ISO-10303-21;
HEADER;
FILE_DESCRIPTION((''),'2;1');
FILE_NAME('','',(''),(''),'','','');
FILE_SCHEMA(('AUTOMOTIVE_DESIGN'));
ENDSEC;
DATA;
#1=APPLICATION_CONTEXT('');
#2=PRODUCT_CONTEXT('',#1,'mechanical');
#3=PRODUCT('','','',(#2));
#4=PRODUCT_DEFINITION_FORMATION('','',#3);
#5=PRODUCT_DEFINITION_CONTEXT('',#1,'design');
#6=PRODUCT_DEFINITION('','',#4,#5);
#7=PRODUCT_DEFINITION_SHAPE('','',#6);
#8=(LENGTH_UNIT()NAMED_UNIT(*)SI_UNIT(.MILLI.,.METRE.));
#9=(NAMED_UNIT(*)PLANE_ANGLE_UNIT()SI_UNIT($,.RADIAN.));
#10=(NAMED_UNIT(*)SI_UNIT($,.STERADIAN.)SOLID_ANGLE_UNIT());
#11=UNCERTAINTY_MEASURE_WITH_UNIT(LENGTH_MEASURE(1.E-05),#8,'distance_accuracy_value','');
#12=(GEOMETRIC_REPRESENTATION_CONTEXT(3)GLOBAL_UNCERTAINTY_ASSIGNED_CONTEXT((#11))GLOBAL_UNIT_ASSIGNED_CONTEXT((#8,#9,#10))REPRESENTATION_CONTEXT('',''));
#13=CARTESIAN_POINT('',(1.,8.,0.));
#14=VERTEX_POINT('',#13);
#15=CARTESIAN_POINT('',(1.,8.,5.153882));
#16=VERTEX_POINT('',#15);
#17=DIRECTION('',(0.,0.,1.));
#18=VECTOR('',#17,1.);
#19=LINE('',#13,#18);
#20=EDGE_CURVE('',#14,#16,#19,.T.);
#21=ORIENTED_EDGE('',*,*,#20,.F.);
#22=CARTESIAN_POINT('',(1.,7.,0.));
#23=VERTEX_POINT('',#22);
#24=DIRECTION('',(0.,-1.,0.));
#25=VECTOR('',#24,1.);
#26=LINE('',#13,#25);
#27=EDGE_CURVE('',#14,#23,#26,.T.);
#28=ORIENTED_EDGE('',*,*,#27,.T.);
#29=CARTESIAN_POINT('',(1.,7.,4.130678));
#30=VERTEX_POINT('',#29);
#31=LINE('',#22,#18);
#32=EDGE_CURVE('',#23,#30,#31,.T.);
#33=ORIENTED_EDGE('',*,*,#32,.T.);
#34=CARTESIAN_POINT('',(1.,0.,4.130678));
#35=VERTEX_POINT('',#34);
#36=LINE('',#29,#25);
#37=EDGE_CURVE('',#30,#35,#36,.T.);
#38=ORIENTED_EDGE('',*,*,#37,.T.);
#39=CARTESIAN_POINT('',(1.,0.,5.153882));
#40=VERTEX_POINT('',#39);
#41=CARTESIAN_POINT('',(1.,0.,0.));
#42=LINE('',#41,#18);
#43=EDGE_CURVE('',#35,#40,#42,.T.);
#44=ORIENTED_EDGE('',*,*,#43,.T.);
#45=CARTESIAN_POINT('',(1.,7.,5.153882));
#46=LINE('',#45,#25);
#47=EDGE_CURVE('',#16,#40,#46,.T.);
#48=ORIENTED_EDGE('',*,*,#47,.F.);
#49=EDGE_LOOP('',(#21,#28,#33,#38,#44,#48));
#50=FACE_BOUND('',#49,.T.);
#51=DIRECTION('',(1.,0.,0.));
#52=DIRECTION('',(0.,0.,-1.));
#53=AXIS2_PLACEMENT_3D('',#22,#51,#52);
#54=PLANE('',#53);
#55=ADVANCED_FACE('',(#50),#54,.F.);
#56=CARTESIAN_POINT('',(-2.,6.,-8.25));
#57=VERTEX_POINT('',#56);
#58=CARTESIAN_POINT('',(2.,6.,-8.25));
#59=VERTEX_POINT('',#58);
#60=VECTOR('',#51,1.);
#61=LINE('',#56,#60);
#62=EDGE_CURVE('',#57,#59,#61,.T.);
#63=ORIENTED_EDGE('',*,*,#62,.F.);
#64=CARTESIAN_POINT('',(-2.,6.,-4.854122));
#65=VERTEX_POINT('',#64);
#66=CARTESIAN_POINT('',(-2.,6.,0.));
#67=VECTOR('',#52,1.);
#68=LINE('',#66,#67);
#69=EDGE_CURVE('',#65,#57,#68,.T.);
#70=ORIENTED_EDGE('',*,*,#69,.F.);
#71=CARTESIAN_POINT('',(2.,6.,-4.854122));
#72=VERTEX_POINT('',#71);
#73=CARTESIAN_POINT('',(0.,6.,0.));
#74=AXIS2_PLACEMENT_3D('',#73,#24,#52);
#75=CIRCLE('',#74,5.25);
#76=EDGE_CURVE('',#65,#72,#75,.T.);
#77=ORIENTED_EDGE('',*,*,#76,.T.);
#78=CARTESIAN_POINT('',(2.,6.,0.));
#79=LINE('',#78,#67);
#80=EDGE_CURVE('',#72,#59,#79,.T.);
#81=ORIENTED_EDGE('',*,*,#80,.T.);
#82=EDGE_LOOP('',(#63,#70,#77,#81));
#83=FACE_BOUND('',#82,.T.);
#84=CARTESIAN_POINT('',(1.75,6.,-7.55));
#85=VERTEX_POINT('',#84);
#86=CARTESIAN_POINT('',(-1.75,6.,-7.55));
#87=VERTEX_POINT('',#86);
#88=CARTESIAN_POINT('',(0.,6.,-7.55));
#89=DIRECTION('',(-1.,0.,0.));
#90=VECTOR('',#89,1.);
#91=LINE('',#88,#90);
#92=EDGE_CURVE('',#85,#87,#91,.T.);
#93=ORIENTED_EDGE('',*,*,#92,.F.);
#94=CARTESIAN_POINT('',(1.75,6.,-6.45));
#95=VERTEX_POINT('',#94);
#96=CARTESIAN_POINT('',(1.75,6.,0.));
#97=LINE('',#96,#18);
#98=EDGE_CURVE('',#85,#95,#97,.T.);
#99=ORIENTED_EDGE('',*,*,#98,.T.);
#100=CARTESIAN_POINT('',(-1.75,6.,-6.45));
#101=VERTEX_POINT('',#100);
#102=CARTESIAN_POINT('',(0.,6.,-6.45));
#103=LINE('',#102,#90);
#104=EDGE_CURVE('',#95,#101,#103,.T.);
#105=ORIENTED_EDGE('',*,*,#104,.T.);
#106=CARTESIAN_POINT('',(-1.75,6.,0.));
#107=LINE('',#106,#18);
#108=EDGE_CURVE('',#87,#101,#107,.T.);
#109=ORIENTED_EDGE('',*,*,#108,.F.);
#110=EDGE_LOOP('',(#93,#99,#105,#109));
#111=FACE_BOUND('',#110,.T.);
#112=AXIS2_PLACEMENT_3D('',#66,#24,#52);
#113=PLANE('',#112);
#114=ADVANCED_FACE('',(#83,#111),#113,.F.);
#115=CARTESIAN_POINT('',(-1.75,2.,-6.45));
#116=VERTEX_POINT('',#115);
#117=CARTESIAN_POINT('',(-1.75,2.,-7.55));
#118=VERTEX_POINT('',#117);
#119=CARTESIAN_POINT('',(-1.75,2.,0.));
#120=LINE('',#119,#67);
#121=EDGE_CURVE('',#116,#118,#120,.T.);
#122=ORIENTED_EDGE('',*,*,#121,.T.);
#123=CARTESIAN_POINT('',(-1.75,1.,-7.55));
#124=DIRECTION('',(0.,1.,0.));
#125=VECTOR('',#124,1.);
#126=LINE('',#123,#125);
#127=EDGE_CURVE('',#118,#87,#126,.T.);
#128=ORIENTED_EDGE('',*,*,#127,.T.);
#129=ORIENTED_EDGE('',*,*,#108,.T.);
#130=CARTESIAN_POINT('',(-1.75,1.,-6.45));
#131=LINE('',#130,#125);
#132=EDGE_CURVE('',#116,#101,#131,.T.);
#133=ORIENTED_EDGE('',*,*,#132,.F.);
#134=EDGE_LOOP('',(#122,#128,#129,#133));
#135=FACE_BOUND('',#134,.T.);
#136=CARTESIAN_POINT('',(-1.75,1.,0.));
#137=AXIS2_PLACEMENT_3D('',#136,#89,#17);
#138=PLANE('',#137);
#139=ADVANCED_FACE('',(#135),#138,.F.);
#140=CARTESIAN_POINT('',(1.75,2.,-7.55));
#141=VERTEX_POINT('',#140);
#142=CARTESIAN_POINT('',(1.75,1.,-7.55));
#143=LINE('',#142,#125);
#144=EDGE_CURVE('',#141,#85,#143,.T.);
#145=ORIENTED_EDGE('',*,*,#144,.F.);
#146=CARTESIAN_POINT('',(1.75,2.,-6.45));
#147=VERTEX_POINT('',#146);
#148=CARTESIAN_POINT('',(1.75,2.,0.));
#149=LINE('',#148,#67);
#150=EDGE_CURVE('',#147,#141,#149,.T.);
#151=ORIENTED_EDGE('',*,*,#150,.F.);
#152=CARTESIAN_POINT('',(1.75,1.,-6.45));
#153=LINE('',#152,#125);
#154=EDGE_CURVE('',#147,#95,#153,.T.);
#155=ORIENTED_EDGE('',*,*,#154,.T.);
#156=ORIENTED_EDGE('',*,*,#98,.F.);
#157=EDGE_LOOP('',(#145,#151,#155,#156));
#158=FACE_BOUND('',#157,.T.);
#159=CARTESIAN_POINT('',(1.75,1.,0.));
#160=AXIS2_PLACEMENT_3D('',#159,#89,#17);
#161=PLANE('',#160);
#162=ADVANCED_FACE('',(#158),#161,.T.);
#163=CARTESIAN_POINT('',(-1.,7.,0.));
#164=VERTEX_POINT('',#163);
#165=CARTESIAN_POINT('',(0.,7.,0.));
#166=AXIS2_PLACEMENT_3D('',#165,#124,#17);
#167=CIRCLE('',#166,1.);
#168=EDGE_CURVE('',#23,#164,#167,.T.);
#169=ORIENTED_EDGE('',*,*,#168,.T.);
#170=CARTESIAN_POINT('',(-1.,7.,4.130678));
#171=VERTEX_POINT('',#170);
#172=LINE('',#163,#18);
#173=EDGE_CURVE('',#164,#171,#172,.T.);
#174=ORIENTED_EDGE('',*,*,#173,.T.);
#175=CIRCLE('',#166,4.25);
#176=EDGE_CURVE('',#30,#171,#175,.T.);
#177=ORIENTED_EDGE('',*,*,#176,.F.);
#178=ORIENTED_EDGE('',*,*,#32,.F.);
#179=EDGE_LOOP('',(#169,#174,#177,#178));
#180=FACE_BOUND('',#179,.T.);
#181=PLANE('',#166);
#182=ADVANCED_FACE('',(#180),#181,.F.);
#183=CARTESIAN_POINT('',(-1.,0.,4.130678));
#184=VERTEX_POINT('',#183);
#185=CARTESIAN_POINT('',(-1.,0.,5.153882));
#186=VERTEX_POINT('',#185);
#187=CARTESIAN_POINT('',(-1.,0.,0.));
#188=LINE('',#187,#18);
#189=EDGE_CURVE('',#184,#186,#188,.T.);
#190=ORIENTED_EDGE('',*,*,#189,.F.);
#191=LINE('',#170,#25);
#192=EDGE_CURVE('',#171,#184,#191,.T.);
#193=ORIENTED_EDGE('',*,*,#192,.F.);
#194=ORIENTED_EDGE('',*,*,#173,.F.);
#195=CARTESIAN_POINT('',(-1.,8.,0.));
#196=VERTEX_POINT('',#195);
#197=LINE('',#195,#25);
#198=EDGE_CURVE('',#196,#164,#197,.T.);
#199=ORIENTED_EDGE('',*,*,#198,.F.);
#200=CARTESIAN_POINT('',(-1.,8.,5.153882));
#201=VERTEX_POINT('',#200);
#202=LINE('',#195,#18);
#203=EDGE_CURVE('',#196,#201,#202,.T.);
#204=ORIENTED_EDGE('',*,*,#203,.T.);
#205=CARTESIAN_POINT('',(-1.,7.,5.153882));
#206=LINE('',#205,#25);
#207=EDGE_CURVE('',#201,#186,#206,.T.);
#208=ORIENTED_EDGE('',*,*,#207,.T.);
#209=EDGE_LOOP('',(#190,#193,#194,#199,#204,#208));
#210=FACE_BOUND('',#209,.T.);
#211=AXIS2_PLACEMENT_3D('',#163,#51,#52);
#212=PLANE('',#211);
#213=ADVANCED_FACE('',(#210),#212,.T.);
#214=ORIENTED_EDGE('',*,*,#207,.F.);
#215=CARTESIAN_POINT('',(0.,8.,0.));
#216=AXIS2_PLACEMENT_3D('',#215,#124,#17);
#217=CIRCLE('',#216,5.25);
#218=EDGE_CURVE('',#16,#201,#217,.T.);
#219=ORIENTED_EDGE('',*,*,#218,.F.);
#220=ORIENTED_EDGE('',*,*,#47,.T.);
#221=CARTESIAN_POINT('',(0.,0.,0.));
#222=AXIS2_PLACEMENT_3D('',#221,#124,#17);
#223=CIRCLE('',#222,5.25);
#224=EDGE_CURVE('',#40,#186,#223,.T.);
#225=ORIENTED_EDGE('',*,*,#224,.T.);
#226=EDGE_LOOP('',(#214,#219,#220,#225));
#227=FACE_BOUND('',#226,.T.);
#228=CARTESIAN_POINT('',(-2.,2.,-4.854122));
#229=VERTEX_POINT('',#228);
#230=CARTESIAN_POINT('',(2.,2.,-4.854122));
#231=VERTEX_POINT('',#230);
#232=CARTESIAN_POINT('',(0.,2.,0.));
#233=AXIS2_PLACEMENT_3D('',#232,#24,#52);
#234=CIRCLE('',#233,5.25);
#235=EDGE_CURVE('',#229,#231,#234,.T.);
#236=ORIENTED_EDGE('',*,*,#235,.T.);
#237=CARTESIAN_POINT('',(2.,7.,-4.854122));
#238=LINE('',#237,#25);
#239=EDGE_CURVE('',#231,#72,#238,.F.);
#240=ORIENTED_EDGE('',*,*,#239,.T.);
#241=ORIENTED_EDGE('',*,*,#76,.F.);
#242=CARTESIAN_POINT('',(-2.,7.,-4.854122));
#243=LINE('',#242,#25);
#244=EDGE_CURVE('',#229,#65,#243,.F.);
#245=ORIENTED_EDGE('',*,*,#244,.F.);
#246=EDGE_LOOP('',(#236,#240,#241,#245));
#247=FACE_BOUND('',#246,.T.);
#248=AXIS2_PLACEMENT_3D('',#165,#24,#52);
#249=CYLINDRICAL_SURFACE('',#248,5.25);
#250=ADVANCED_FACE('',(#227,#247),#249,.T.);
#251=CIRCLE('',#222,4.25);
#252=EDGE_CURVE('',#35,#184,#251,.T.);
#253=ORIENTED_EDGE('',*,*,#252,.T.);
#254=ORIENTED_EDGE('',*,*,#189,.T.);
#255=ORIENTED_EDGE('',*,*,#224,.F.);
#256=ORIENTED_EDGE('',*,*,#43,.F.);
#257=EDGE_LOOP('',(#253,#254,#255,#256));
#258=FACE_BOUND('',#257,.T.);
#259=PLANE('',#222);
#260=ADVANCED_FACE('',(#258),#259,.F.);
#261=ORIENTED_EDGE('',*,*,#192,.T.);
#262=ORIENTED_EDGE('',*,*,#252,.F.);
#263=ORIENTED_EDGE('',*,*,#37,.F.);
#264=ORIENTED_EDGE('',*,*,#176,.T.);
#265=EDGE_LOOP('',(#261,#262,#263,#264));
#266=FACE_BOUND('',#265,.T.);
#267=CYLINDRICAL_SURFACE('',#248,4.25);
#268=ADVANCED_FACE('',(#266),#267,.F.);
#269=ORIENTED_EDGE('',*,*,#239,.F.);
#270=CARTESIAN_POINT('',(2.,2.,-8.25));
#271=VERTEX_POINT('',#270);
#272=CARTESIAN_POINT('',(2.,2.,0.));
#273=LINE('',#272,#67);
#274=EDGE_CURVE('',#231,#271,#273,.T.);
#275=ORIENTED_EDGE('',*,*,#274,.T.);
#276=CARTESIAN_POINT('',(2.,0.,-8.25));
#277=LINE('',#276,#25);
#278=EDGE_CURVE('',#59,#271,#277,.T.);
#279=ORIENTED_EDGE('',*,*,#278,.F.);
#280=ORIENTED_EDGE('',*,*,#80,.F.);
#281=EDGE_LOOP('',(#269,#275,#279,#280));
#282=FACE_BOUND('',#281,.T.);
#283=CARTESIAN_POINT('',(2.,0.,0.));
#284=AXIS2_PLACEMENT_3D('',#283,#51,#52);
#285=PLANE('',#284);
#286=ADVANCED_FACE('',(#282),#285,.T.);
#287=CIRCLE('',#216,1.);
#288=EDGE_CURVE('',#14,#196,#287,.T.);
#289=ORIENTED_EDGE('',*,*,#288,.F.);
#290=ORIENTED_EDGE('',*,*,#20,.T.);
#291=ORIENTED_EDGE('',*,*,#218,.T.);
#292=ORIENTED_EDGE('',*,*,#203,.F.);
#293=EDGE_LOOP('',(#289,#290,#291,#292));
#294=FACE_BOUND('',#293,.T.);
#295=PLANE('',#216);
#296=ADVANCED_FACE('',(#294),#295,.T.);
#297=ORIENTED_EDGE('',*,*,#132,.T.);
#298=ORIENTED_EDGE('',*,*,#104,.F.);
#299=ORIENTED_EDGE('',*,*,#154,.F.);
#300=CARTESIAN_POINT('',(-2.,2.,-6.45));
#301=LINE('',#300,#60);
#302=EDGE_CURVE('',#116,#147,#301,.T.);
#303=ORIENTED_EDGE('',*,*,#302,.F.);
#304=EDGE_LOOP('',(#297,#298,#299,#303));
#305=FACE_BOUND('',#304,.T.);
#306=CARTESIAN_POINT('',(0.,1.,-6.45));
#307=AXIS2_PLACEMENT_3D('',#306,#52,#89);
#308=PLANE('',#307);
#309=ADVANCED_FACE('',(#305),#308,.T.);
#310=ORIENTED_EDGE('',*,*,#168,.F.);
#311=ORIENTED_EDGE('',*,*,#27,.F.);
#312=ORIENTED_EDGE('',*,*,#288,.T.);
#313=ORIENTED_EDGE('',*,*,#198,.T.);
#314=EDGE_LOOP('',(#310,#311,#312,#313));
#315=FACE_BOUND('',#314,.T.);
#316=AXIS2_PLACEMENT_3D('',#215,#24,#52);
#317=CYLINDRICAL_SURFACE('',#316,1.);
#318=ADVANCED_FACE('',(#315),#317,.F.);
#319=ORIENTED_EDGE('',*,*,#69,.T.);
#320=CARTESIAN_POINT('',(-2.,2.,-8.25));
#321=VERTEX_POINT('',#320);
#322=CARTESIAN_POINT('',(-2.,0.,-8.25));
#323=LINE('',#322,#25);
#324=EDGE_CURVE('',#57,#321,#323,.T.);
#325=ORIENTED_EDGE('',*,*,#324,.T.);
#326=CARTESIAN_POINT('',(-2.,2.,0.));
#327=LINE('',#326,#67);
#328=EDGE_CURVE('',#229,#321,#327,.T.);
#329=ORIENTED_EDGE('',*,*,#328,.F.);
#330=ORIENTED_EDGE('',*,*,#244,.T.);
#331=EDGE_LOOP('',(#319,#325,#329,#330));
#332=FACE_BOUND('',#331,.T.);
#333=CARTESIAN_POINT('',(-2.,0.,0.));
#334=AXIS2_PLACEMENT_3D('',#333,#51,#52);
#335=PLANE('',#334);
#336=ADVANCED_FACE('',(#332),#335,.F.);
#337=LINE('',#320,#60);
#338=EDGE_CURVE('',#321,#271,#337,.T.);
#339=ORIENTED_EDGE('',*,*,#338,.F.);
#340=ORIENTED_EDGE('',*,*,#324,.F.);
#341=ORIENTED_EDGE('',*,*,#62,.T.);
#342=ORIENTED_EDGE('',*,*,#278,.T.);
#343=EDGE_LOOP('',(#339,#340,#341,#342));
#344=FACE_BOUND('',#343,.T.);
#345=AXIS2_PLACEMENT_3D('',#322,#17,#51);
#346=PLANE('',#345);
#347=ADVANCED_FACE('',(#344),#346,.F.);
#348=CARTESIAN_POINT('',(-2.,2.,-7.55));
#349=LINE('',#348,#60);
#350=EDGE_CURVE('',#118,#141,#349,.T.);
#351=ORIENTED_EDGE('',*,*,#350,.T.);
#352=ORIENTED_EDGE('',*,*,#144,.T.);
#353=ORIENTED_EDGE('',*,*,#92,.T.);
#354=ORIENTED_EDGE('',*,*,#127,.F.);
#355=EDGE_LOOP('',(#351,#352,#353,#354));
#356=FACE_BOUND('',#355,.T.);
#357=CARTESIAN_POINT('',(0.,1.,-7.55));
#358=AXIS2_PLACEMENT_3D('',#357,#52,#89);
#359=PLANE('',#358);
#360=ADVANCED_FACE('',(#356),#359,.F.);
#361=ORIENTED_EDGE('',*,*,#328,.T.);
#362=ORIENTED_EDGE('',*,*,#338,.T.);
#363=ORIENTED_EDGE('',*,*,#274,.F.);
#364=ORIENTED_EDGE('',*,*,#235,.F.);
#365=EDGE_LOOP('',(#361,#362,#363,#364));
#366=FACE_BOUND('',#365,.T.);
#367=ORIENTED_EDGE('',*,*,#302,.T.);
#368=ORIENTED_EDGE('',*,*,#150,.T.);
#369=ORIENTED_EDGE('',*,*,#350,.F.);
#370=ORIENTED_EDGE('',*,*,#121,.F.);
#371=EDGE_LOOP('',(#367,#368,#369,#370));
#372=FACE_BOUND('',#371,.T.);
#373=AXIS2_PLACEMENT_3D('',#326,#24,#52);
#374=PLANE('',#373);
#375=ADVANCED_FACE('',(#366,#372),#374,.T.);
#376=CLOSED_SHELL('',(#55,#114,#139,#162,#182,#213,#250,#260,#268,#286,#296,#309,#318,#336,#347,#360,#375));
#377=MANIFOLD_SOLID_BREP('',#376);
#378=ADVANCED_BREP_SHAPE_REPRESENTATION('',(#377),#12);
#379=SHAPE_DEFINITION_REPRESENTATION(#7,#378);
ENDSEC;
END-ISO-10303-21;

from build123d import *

# Parameters (mm, degrees)
BOSS_EXTRUDE1_DEPTH      = 7
BOSS_EXTRUDE2_DEPTH      = 1
BOSS_EXTRUDE3_DEPTH      = 2
BOSS_EXTRUDE3_DEPTH_BACK = 2
CUT_EXTRUDE1_DEPTH       = 5


with BuildPart() as part:
    # Sketch1 → Boss-Extrude1 (new body)
    with BuildSketch(Plane(origin=(0, 0, 0), x_dir=(1, 0, 0), z_dir=(0, 1, 0))):
        with BuildLine():
            Line((-1, -5.153882032), (-1, -4.13067791))
            ThreePointArc((-1, -4.13067791), (-2.627974505, 3.340097304), (4.25, 0))
            ThreePointArc((4.25, 0), (3.340097304, -2.627974505), (1, -4.13067791))
            Line((1, -4.13067791), (1, -5.153882032))
            ThreePointArc((1, -5.153882032), (4.050462937, -3.340097304), (5.25, 0))
            ThreePointArc((5.25, 0), (-3.340097304, 4.050462937), (-1, -5.153882032))
        make_face()
    extrude(amount=BOSS_EXTRUDE1_DEPTH)

    # Sketch2 → Boss-Extrude2 (add)
    with BuildSketch(Plane(origin=(0, 7, 0), x_dir=(1, 0, 0), z_dir=(0, 1, 0))):
        with BuildLine():
            Line((-1, -4.13067791), (-1, 0))
            ThreePointArc((-1, 0), (0, 1), (1, 0))
            Line((1, 0), (1, -4.13067791))
            ThreePointArc((1, -4.13067791), (0, 4.25), (-1, -4.13067791))
        make_face()
        with BuildLine():
            ThreePointArc((-1, -4.13067791), (0, 4.25), (1, -4.13067791))
            Line((1, -4.13067791), (1, -5.153882032))
            ThreePointArc((1, -5.153882032), (0, 5.25), (-1, -5.153882032))
            Line((-1, -5.153882032), (-1, -4.13067791))
        make_face()
    extrude(amount=BOSS_EXTRUDE2_DEPTH)

    # Sketch3 → Boss-Extrude3 (add, two sides: drawn at the far end of the back side and taken through both)
    with BuildSketch(Plane(origin=(0, 0, 0), x_dir=(0, 0, -1), z_dir=(1, 0, 0)).offset(-BOSS_EXTRUDE3_DEPTH_BACK)):
        Polygon((8.25, 6), (5.25, 6), (4.25, 6), (4.25, 2), (8.25, 2), align=None)
    extrude(amount=BOSS_EXTRUDE3_DEPTH + BOSS_EXTRUDE3_DEPTH_BACK)

    # Sketch4 → Cut-Extrude1 (cut)
    with BuildSketch(Plane(origin=(0, 6, 0), x_dir=(1, 0, 0), z_dir=(0, 1, 0))):
        Polygon((1.75, 7.55), (0, 7.55), (-1.75, 7.55), (-1.75, 6.45), (1.75, 6.45), align=None)
    extrude(amount=-CUT_EXTRUDE1_DEPTH, mode=Mode.SUBTRACT)


solid = part.part
